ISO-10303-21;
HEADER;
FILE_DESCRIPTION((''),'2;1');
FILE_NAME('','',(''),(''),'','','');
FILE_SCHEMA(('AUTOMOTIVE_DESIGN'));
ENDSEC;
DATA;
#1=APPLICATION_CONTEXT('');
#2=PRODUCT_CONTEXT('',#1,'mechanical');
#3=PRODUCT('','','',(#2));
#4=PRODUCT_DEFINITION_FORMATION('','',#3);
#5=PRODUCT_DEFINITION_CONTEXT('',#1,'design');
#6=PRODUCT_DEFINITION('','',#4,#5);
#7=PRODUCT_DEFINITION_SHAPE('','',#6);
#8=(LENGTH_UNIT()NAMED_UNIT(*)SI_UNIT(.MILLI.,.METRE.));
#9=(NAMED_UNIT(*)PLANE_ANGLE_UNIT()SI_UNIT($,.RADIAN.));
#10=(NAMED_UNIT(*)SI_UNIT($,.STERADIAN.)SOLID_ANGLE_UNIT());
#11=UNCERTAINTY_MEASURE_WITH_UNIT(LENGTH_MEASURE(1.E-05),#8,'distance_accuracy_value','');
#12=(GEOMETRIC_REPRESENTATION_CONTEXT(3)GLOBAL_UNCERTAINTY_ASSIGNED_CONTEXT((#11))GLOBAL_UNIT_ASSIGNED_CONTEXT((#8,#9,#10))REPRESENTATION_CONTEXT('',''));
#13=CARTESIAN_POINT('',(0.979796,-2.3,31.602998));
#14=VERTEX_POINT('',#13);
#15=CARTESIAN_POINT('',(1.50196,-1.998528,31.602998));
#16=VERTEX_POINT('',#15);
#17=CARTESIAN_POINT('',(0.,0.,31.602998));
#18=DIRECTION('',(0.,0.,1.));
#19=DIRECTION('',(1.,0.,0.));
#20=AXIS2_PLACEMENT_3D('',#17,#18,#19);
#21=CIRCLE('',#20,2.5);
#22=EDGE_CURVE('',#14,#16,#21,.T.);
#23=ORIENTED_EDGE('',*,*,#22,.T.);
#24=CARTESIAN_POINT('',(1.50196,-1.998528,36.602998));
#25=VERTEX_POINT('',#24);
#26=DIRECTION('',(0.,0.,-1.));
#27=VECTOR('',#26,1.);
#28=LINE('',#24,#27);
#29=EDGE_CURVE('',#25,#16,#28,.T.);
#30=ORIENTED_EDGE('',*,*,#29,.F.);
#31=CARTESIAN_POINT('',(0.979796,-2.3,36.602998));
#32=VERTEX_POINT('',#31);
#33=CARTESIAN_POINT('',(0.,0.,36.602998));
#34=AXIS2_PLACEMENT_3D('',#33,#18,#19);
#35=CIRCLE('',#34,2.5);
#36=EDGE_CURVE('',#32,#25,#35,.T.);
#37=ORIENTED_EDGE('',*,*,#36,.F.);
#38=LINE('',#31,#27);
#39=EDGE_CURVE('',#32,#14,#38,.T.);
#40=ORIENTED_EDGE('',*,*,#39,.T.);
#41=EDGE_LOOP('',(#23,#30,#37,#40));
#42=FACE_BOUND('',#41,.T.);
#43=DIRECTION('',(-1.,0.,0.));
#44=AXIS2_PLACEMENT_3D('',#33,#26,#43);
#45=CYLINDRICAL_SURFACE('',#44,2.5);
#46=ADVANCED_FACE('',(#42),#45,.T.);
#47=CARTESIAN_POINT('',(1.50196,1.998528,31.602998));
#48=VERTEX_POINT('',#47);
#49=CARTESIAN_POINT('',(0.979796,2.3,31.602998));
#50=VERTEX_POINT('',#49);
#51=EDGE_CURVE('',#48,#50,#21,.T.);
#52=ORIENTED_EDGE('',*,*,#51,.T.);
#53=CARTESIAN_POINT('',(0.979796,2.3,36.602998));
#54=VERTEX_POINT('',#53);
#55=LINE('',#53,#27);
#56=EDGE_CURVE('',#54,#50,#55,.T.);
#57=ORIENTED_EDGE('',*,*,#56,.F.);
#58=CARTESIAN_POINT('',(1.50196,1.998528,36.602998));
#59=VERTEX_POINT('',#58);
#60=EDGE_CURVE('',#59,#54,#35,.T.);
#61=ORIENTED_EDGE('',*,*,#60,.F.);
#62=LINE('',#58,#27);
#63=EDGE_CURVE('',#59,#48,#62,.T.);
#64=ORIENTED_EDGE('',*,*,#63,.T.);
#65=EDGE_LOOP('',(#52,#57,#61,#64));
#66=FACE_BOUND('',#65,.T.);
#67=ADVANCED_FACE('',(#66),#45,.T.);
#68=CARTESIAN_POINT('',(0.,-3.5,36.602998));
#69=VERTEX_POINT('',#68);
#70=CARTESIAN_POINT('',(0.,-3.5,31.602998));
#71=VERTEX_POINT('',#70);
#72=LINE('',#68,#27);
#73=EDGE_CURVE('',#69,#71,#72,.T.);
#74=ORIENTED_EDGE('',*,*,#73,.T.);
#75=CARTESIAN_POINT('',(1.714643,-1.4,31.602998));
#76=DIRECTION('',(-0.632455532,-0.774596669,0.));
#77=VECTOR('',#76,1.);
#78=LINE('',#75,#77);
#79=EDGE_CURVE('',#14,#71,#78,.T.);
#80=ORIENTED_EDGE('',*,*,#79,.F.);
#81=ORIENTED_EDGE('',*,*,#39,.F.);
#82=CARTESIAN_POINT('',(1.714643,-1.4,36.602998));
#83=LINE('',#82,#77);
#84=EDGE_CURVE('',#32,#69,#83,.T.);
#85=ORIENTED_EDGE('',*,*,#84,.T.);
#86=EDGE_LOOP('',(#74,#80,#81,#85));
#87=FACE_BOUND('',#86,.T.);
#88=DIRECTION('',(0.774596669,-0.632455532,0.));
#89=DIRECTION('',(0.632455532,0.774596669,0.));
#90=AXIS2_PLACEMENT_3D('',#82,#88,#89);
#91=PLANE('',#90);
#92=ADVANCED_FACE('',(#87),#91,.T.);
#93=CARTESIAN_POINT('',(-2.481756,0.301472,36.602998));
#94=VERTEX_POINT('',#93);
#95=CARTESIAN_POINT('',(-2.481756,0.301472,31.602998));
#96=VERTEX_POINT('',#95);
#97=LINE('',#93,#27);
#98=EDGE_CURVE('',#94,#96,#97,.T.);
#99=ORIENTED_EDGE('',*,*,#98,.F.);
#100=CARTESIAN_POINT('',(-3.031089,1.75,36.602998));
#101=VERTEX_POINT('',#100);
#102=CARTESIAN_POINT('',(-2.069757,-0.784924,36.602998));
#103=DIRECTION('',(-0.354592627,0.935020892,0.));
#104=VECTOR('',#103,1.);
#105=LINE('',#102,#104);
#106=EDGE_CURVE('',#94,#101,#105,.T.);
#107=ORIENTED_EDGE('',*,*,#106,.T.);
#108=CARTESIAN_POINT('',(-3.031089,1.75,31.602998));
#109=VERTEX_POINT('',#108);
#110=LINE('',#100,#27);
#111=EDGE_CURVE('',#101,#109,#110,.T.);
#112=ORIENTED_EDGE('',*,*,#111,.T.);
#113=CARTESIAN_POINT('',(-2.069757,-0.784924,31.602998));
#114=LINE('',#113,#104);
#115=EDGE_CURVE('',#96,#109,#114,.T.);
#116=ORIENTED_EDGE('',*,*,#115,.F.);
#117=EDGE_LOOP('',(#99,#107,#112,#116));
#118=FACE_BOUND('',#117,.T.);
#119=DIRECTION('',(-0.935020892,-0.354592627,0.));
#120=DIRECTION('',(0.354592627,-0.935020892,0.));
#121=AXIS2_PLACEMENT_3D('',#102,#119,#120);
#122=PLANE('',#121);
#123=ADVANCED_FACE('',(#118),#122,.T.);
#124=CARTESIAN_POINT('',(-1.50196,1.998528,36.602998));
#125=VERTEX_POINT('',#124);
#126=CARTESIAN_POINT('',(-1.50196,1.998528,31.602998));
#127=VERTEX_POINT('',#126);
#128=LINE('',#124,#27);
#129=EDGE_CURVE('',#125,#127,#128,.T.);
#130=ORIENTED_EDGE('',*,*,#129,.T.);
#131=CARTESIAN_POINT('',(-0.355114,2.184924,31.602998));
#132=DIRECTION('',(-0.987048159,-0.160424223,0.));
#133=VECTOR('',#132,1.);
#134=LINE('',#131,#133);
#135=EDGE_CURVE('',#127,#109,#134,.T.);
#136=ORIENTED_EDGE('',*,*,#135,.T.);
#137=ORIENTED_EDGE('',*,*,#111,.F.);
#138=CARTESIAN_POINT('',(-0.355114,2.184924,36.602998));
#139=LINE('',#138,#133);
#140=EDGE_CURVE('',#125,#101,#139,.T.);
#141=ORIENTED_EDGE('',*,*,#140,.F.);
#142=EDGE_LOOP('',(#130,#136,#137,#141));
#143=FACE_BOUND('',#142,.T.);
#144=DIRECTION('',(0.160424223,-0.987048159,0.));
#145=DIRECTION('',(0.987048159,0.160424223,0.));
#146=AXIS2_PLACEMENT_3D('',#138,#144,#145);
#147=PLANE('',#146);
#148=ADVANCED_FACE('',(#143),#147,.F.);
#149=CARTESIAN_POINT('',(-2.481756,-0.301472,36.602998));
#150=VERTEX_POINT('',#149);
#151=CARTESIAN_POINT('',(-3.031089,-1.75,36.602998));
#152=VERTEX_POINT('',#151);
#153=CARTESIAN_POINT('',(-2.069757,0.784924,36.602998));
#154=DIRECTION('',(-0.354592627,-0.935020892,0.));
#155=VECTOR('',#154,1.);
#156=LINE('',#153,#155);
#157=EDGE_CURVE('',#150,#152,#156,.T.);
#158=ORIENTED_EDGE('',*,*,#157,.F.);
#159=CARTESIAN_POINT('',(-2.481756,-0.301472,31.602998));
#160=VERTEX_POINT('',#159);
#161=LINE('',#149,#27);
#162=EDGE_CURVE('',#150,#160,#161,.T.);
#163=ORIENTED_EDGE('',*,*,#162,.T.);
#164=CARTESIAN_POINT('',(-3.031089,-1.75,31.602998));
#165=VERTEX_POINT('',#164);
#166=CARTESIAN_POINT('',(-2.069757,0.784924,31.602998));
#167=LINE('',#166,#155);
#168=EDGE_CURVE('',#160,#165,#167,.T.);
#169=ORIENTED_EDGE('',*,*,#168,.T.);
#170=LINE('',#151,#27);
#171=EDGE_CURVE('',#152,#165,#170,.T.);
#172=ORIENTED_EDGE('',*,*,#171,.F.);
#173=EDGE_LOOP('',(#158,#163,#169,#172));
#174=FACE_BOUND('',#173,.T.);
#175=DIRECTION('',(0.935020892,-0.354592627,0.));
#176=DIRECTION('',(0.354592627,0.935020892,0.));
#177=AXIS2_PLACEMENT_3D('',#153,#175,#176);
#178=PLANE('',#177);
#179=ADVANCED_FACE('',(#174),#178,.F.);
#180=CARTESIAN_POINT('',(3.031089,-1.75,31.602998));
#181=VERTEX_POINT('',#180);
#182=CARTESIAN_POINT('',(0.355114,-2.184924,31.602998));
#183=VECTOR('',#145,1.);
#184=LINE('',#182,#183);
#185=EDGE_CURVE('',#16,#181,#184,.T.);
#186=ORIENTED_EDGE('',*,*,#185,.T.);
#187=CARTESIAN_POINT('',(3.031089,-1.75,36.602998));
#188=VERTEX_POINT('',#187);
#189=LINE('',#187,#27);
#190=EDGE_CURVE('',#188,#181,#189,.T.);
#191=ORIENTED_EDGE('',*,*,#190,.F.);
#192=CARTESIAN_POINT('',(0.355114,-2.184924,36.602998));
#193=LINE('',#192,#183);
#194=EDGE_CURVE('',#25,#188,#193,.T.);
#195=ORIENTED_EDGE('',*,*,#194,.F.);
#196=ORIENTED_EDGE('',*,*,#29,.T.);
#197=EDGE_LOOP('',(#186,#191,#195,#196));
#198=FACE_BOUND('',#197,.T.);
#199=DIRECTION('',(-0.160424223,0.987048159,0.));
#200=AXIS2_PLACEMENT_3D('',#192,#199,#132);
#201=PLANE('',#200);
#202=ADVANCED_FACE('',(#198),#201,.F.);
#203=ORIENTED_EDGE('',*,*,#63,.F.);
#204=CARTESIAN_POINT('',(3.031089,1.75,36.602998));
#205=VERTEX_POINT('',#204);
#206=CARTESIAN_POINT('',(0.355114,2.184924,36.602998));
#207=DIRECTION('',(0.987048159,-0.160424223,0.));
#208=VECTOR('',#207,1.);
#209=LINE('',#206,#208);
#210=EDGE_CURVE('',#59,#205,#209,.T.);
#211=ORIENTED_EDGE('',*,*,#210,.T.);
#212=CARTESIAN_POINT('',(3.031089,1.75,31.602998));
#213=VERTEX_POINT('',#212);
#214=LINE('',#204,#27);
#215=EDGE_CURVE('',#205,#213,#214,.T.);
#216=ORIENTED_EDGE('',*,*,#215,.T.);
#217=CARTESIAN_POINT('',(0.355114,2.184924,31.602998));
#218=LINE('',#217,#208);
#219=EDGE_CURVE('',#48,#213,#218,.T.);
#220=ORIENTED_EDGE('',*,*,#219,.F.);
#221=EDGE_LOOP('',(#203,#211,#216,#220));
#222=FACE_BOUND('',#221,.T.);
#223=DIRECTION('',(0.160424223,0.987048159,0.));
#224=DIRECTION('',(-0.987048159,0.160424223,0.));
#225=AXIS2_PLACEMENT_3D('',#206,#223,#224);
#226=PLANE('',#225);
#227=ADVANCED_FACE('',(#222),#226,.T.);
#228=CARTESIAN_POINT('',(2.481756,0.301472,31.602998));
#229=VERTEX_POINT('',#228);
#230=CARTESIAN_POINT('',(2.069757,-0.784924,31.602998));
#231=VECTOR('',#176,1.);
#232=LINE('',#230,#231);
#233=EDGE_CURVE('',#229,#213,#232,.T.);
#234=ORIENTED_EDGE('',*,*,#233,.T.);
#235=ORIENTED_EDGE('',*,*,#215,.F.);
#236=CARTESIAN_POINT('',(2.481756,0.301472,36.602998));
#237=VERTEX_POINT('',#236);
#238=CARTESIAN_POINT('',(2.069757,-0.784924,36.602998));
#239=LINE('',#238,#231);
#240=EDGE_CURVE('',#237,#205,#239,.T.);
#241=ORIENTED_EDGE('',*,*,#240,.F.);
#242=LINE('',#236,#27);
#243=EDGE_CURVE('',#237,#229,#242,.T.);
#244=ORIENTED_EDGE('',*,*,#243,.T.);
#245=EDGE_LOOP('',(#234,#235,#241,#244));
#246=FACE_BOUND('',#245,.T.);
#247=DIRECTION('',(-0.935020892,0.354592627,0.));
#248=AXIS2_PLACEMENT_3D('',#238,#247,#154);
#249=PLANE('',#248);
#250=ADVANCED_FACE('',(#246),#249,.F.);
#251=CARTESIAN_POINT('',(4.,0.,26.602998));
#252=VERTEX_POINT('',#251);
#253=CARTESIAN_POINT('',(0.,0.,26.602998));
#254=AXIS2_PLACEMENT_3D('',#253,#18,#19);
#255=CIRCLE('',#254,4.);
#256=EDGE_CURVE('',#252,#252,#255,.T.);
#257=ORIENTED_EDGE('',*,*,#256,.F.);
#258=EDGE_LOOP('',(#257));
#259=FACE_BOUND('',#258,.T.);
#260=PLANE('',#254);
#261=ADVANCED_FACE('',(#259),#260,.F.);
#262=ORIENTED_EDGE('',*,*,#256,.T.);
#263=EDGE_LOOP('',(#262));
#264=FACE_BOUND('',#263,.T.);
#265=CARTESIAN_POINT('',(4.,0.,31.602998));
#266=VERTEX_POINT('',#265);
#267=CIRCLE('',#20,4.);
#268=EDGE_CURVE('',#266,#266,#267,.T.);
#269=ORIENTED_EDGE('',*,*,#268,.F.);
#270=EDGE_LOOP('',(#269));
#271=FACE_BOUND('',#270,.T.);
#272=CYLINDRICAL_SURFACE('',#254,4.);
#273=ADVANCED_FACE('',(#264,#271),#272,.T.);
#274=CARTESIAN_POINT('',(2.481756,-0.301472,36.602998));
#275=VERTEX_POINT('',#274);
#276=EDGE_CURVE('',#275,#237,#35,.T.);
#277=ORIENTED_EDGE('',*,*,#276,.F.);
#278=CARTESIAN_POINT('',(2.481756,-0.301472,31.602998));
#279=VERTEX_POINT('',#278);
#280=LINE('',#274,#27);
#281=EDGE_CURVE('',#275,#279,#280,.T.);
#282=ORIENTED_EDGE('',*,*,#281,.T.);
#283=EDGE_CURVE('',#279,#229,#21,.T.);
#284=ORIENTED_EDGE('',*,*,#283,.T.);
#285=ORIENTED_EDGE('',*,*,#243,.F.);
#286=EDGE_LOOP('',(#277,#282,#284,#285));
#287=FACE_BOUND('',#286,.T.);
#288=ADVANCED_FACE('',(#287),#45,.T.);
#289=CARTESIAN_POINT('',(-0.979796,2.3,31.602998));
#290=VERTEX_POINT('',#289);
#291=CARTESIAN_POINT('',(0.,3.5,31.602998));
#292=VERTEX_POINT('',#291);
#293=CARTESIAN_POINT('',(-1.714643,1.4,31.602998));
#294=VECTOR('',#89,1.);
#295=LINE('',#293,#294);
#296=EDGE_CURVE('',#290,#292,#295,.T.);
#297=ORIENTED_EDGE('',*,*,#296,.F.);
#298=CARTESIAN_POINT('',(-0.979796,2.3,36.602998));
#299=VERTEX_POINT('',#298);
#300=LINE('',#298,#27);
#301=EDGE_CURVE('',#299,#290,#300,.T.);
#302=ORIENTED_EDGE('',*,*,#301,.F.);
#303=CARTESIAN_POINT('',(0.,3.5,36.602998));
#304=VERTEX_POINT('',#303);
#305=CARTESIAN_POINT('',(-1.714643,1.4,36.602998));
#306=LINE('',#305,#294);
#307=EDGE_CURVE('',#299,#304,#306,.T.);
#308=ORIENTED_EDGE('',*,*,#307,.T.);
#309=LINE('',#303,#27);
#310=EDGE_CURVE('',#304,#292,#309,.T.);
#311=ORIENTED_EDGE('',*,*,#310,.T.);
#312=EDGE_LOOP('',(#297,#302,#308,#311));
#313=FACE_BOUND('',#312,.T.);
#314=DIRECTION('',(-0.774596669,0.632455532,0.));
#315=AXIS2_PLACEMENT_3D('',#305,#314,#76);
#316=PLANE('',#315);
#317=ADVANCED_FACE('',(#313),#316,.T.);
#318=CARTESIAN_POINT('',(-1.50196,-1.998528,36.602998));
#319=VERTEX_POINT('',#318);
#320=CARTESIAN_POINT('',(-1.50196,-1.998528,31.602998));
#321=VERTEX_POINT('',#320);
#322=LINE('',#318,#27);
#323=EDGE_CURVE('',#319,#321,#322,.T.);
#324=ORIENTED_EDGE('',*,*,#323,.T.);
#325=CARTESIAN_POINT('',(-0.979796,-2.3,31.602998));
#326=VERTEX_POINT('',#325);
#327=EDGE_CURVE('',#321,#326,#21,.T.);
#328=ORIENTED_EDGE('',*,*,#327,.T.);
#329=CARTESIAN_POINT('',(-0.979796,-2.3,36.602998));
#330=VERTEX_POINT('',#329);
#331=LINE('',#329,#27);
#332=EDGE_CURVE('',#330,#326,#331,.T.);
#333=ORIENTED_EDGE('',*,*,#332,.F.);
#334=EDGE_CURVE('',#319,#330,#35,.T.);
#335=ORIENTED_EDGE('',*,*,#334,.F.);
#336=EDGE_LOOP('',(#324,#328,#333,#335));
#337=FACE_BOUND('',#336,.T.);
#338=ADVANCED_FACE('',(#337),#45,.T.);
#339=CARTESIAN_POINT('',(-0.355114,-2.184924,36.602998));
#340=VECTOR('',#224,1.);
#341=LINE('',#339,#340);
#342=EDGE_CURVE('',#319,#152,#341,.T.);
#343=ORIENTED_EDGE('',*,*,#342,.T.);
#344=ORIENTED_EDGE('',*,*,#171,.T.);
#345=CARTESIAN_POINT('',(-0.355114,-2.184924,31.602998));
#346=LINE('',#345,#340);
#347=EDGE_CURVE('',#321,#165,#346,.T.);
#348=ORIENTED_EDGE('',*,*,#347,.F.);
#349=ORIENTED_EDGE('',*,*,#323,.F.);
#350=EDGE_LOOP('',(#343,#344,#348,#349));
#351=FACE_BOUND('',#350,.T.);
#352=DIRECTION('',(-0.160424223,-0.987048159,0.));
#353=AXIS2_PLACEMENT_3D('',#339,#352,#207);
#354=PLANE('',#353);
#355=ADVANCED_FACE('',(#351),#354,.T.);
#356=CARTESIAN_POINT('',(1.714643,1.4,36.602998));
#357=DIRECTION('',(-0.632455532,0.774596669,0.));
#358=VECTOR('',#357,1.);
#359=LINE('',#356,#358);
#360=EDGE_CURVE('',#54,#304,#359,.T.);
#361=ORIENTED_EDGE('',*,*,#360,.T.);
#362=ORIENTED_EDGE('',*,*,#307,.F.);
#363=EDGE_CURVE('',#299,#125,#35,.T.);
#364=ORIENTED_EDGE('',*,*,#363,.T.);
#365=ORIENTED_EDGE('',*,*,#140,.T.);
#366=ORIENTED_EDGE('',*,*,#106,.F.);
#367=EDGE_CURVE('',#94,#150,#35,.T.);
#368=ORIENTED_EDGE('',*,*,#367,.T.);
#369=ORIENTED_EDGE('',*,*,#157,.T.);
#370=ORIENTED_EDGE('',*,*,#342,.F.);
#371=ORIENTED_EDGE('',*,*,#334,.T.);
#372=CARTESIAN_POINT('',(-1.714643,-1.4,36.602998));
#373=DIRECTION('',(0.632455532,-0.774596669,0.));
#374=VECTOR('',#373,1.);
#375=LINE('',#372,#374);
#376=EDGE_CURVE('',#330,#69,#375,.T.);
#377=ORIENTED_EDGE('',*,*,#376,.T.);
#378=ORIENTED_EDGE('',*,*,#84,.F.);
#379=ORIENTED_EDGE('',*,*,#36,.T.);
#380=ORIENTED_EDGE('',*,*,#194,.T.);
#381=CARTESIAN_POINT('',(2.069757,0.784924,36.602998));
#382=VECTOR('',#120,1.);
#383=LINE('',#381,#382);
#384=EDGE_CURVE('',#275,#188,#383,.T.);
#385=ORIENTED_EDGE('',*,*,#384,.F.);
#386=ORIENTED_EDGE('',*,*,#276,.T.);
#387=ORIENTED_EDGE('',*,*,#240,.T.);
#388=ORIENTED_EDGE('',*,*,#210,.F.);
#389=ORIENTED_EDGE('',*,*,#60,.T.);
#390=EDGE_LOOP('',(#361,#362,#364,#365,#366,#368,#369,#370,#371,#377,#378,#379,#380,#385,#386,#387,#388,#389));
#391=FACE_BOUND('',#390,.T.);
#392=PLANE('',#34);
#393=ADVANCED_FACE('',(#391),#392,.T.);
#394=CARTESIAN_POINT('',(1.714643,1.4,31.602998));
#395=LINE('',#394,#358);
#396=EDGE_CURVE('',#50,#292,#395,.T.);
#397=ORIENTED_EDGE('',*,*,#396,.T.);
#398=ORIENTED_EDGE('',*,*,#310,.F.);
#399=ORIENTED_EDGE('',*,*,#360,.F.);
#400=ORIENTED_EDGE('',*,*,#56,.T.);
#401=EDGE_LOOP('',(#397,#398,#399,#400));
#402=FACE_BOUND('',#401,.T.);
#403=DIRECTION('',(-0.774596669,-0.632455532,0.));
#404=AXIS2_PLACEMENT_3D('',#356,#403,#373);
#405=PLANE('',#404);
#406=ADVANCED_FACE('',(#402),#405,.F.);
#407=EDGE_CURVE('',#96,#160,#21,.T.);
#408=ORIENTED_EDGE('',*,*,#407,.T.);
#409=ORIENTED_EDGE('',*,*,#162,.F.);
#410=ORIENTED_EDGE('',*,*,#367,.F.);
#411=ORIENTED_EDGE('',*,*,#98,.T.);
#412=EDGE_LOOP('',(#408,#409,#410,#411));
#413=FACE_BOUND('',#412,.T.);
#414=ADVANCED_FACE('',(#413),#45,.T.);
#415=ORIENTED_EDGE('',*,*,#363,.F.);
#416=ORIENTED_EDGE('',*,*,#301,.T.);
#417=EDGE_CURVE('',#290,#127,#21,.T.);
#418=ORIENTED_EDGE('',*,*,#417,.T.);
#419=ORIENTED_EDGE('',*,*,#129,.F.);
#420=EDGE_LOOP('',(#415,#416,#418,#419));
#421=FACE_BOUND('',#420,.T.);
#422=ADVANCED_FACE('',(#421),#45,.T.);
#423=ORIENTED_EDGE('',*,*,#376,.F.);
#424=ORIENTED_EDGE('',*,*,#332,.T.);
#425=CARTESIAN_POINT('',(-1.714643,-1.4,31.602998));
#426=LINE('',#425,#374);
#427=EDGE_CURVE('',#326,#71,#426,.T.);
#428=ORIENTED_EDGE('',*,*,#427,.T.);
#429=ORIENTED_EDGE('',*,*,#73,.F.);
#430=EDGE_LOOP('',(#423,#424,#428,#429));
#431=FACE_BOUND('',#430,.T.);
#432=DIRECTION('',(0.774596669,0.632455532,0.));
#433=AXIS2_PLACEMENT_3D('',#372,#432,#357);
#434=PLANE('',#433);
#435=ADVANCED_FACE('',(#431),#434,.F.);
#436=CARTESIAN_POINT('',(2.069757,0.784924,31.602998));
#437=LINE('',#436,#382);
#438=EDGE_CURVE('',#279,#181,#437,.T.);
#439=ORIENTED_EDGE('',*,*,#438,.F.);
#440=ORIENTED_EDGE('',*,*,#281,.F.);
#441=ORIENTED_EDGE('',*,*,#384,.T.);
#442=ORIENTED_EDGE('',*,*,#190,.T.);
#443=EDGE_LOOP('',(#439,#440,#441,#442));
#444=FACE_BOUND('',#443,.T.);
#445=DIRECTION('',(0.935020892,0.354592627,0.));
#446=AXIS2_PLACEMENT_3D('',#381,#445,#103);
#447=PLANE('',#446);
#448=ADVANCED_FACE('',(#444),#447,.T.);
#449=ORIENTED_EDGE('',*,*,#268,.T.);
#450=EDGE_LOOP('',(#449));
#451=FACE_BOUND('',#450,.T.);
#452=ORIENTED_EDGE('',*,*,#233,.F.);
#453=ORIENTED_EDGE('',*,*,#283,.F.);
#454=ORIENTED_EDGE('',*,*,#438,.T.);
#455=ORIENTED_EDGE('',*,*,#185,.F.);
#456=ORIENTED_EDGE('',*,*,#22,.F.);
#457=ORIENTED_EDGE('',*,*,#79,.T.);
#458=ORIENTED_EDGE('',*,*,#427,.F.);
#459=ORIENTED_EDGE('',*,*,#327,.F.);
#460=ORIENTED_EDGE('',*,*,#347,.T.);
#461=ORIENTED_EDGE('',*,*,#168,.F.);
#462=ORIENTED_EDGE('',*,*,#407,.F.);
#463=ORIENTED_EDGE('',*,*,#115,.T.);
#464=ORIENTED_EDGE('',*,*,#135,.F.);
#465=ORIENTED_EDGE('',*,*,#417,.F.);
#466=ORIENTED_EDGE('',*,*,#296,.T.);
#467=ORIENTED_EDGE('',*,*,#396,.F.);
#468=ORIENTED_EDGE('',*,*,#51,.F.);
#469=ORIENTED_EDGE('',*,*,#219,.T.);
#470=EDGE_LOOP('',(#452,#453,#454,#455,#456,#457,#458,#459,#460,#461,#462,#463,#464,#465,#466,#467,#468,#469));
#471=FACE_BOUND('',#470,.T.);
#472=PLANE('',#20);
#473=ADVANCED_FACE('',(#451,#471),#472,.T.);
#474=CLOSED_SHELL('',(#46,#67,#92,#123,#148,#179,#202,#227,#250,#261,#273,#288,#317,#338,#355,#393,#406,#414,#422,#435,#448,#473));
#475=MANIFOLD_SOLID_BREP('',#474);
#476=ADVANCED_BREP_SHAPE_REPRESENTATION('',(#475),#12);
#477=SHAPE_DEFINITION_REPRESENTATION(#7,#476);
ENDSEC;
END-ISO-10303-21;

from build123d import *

# Parameters (mm, degrees)
SKETCH_2_R      = 2.5
EXTRUDE_2_DEPTH = 5
SKETCH_3_R      = 4
EXTRUDE_4_DEPTH = 5


with BuildPart() as part:
    # Эскиз2 → Бобышка-Вытянуть2 (new body)
    with BuildSketch(Plane.XY.offset(31.602998)):
        with BuildLine():
            Line((0, 3.5), (-0.979795897, 2.3))
            ThreePointArc((-0.979795897, 2.3), (0, 2.5), (0.979795897, 2.3))
            Line((0.979795897, 2.3), (0, 3.5))
        make_face()
        with BuildLine():
            Line((3.031088913, 1.75), (1.50196048, 1.998528137))
            ThreePointArc((1.50196048, 1.998528137), (2.165063509, 1.25), (2.481756377, 0.301471863))
            Line((2.481756377, 0.301471863), (3.031088913, 1.75))
        make_face()
        with BuildLine():
            Line((3.031088913, -1.75), (2.481756377, -0.301471863))
            ThreePointArc((2.481756377, -0.301471863), (2.165063509, -1.25), (1.50196048, -1.998528137))
            Line((1.50196048, -1.998528137), (3.031088913, -1.75))
        make_face()
        with BuildLine():
            ThreePointArc((0.979795897, -2.3), (0, -2.5), (-0.979795897, -2.3))
            Line((-0.979795897, -2.3), (0, -3.5))
            Line((0, -3.5), (0.979795897, -2.3))
        make_face()
        with BuildLine():
            ThreePointArc((-2.481756377, 0.301471863), (-2.165063509, 1.25), (-1.50196048, 1.998528137))
            Line((-1.50196048, 1.998528137), (-3.031088913, 1.75))
            Line((-3.031088913, 1.75), (-2.481756377, 0.301471863))
        make_face()
        with BuildLine():
            ThreePointArc((-1.50196048, -1.998528137), (-2.165063509, -1.25), (-2.481756377, -0.301471863))
            Line((-2.481756377, -0.301471863), (-3.031088913, -1.75))
            Line((-3.031088913, -1.75), (-1.50196048, -1.998528137))
        make_face()
        Circle(SKETCH_2_R)
    extrude(amount=EXTRUDE_2_DEPTH)

    # Эскиз3 → Бобышка-Вытянуть4 (add)
    with BuildSketch(Plane.XY.offset(31.602998)):
        Circle(SKETCH_3_R)
    extrude(amount=-EXTRUDE_4_DEPTH)


solid = part.part
